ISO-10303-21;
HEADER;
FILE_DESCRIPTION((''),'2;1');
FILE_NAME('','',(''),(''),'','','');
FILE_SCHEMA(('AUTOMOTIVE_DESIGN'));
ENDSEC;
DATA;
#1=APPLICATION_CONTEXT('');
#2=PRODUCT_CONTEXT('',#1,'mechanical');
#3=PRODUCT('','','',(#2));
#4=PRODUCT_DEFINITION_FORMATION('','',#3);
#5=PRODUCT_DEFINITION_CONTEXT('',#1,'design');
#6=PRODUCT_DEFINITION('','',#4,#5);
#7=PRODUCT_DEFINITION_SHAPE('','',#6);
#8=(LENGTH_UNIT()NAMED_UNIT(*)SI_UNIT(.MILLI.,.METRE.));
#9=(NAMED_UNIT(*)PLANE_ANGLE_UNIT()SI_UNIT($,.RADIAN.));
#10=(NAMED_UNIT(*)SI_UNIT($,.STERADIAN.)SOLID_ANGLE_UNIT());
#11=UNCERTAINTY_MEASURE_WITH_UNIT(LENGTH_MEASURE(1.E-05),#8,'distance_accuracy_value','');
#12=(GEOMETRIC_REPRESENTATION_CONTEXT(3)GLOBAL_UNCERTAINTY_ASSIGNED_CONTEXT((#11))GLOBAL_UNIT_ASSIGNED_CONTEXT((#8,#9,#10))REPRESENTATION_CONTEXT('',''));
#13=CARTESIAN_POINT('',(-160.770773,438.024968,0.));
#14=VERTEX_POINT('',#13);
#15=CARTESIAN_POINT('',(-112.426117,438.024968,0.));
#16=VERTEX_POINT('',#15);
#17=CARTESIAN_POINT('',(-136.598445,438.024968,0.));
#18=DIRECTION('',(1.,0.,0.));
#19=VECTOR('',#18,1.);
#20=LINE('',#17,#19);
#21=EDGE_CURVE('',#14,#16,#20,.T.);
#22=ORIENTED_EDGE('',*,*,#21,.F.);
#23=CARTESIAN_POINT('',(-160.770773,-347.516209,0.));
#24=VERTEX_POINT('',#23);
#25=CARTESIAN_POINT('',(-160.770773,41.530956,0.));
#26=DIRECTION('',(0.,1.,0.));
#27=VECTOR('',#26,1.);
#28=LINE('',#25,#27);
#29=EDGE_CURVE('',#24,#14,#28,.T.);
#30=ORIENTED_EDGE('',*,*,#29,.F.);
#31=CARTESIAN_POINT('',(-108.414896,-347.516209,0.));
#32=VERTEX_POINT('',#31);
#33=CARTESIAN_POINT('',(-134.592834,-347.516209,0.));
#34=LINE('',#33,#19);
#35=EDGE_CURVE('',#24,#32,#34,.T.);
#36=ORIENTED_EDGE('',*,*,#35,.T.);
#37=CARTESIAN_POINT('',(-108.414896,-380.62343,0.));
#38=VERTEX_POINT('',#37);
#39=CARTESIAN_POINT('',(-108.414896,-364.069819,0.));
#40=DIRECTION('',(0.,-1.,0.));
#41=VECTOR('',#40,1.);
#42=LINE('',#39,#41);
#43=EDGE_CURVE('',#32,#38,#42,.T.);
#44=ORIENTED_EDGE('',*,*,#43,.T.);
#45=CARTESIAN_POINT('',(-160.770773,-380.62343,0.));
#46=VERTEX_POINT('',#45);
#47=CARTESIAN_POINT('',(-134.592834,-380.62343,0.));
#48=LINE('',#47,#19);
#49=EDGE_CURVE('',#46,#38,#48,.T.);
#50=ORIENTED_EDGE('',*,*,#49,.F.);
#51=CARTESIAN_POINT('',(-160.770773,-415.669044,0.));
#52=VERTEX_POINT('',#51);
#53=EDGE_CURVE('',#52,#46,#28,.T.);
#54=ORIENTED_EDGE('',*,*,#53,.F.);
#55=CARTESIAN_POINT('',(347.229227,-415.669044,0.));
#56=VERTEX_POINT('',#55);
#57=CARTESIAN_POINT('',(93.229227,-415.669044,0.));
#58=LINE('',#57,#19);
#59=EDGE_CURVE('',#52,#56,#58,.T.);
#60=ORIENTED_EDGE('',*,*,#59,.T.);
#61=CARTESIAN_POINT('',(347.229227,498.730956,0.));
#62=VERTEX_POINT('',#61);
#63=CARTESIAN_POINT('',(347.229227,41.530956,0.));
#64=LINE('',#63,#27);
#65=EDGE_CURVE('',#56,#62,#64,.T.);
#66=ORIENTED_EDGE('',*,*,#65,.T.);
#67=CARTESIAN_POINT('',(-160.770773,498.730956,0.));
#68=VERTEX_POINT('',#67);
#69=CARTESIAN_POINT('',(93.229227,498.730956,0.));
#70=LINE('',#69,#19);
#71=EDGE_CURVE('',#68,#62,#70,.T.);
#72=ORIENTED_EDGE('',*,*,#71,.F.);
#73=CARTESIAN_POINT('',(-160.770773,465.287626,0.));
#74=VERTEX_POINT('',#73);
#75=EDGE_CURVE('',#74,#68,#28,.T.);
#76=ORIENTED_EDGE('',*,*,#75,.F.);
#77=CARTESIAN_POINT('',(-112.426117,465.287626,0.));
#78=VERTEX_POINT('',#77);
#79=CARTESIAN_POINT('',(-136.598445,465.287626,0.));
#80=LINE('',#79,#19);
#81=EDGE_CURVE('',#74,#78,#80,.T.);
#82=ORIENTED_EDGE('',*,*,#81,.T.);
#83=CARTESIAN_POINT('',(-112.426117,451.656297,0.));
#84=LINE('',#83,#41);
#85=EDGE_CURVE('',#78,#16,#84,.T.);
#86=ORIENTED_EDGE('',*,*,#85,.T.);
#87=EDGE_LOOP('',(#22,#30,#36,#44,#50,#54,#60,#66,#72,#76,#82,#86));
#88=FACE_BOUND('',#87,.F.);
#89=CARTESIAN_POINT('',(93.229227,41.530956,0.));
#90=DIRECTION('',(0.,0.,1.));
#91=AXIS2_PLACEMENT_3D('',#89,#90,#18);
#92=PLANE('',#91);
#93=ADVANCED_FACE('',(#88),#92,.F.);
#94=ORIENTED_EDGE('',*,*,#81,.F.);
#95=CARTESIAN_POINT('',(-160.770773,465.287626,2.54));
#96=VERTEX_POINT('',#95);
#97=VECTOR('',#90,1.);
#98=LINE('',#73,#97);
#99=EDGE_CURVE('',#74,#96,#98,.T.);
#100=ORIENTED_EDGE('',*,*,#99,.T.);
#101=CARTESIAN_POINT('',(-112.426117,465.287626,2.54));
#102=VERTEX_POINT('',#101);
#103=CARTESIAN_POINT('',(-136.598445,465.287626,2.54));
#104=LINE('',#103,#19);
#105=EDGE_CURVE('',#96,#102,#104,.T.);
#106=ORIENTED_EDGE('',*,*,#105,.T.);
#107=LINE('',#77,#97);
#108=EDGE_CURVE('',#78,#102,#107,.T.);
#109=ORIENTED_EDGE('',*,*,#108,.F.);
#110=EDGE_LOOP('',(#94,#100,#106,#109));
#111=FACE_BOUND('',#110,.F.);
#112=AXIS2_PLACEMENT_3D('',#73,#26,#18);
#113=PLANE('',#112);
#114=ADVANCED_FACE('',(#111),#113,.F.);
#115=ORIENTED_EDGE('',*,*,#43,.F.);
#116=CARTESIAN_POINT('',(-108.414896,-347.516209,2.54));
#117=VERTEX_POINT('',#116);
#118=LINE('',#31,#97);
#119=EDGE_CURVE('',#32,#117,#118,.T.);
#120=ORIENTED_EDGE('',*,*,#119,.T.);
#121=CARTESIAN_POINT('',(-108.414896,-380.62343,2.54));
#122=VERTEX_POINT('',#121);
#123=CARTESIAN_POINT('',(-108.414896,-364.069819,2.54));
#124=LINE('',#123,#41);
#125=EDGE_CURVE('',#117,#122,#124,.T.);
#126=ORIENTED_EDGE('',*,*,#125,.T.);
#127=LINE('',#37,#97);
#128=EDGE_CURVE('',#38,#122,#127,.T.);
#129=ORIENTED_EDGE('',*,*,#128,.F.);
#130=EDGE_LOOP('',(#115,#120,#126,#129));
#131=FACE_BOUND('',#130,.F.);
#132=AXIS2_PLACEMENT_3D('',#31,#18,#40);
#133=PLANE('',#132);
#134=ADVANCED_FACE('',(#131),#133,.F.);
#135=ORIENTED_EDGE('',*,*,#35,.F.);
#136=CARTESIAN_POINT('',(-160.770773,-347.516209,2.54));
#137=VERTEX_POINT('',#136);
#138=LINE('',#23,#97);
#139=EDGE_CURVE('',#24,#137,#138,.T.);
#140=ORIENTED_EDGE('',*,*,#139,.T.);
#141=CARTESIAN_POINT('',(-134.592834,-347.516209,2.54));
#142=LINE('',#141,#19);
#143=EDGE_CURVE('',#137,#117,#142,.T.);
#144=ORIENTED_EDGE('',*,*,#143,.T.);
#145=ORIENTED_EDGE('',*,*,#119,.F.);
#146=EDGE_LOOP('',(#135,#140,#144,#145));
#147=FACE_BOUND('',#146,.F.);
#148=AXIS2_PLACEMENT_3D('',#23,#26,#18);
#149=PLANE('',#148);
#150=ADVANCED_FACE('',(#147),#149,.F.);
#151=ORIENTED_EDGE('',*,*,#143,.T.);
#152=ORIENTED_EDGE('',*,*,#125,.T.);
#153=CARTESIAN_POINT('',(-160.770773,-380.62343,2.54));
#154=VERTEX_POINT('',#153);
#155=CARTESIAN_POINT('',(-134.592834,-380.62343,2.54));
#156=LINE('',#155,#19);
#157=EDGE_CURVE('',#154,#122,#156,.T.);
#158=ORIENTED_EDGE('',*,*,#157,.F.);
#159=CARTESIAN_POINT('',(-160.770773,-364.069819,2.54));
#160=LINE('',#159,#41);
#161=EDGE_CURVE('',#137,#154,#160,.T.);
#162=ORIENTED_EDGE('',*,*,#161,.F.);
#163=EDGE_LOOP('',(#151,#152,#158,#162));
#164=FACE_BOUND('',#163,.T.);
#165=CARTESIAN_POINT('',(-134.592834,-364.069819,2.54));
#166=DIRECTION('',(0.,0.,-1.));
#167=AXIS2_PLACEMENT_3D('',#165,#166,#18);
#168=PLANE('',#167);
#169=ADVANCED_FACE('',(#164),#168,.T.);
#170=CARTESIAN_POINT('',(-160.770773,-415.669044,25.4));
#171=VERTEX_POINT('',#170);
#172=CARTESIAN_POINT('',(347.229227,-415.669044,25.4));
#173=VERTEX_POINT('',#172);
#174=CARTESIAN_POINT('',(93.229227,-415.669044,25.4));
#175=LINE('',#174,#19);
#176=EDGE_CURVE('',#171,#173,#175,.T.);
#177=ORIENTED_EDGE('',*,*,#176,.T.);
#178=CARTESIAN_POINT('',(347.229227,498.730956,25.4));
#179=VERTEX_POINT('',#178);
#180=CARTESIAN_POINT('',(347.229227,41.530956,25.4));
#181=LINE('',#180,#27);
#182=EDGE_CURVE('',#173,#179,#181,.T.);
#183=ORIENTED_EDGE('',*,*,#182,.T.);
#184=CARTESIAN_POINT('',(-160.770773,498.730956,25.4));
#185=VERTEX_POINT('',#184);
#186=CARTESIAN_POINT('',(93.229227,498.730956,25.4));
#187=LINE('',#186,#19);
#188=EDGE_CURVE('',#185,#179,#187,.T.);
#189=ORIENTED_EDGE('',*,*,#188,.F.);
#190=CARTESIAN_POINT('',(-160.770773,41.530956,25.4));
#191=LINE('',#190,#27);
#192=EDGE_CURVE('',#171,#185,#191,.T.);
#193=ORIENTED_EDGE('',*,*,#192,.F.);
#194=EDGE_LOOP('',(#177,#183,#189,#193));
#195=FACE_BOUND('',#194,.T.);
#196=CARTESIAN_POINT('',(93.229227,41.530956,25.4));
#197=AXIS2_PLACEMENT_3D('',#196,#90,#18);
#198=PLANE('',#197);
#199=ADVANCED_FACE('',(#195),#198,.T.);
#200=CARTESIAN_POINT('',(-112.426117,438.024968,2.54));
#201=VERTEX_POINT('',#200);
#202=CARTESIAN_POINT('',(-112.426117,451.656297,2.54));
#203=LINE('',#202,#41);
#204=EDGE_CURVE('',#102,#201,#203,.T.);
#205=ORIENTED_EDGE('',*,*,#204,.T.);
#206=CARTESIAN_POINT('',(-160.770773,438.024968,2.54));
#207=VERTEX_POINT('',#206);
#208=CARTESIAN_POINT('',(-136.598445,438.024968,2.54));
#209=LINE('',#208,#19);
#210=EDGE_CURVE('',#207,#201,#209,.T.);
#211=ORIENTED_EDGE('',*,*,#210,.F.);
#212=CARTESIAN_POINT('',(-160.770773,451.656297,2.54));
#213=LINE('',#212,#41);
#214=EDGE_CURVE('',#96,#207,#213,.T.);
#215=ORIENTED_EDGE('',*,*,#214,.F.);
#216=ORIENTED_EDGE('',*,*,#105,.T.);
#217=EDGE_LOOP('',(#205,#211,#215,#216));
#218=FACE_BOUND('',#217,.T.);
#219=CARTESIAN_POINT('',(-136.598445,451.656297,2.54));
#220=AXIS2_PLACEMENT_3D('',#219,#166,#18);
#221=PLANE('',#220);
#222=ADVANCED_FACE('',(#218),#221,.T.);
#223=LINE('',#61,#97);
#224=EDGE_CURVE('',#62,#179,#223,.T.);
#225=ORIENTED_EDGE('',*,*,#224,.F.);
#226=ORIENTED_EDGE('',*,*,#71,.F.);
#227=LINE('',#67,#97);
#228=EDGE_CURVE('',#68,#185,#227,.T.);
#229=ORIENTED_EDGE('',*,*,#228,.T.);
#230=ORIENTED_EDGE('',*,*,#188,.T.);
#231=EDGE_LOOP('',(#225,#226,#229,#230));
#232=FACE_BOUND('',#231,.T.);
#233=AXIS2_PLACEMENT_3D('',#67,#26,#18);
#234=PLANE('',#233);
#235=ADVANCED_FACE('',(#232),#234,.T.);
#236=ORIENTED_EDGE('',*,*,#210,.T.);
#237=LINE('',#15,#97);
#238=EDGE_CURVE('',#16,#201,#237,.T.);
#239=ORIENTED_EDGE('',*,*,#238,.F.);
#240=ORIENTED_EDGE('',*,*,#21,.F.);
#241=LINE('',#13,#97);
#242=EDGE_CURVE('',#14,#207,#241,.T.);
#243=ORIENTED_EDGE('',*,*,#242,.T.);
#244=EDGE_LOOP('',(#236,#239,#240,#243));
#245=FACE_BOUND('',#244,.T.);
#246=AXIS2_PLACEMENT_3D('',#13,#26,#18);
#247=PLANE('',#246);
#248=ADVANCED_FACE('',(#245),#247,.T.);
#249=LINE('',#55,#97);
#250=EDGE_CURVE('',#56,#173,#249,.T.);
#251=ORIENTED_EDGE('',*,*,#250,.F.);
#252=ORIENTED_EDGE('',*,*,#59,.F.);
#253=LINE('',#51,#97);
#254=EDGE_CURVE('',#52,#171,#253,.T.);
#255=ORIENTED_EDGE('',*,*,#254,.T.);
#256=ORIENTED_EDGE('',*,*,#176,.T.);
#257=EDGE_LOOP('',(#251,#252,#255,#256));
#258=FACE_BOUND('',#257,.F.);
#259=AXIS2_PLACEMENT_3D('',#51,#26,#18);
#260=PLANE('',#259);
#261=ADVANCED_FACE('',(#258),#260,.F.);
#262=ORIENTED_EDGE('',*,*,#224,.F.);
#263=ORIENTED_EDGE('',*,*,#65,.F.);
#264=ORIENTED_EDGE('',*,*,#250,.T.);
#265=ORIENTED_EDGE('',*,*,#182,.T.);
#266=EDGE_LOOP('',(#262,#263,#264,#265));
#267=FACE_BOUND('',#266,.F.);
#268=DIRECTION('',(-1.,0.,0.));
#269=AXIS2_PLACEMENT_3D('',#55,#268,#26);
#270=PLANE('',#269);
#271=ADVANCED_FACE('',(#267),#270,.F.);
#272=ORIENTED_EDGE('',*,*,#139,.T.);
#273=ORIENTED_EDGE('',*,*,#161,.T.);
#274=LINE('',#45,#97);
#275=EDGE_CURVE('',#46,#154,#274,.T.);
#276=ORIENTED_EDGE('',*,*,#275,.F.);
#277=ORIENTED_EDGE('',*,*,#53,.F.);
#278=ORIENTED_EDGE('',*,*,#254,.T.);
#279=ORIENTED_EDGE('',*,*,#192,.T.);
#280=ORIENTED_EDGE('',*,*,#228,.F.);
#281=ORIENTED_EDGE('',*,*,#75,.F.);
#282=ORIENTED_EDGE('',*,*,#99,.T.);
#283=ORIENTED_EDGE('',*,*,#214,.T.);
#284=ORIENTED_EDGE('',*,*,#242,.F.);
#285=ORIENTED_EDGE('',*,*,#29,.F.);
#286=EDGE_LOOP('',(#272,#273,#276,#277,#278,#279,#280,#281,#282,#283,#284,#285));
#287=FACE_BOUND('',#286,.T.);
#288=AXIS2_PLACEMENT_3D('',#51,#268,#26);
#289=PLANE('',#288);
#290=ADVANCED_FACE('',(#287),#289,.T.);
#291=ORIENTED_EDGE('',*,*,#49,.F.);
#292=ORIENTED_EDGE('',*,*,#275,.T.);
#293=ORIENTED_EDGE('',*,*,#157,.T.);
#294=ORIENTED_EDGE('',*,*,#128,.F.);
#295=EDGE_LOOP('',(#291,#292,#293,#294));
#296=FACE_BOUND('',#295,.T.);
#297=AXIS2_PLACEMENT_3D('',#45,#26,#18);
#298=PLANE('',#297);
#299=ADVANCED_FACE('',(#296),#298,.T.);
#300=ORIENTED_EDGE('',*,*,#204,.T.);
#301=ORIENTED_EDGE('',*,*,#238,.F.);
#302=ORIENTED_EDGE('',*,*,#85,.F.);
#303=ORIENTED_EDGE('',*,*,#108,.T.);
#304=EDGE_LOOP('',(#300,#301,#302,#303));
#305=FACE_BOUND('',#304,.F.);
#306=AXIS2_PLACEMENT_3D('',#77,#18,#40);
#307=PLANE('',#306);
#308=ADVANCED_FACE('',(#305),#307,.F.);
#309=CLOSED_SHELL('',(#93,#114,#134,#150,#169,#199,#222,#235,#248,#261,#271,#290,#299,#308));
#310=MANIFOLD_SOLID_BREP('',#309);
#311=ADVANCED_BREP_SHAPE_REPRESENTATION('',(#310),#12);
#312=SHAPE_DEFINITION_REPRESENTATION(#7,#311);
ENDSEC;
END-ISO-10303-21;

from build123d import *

# Parameters (mm, degrees)
F0_W     = 508
F0_H     = 914.4
F1_DEPTH = 25.4
F2_W     = 52.3558772112
F2_H     = 33.1072211266
F3_DEPTH = 2.54
F4_W     = 48.3446559812
F4_H     = 27.2626578808
F5_DEPTH = 2.54


with BuildPart() as f1:
    # F0 (on Top) → F1 (new body)
    with BuildSketch(Plane.XY):
        with Locations((93.2292269563, 41.5309555829)):
            Rectangle(F0_W, F0_H)
    extrude(amount=F1_DEPTH)

    # F2 (on face) → F3 (cut)
    with BuildSketch(Plane(origin=(0, 0, 0), x_dir=(1, 0, 0), z_dir=(0, 0, -1))):
        with Locations((-134.5928344381, 364.0698194504)):
            Rectangle(F2_W, F2_H)
    extrude(amount=-F3_DEPTH, mode=Mode.SUBTRACT)

    # F4 (on face) → F5 (cut)
    with BuildSketch(Plane(origin=(0, 0, 0), x_dir=(1, 0, 0), z_dir=(0, 0, -1))):
        with Locations((-136.5984450532, -451.6562968493)):
            Rectangle(F4_W, F4_H)
    extrude(amount=-F5_DEPTH, mode=Mode.SUBTRACT)


solid = f1.part
